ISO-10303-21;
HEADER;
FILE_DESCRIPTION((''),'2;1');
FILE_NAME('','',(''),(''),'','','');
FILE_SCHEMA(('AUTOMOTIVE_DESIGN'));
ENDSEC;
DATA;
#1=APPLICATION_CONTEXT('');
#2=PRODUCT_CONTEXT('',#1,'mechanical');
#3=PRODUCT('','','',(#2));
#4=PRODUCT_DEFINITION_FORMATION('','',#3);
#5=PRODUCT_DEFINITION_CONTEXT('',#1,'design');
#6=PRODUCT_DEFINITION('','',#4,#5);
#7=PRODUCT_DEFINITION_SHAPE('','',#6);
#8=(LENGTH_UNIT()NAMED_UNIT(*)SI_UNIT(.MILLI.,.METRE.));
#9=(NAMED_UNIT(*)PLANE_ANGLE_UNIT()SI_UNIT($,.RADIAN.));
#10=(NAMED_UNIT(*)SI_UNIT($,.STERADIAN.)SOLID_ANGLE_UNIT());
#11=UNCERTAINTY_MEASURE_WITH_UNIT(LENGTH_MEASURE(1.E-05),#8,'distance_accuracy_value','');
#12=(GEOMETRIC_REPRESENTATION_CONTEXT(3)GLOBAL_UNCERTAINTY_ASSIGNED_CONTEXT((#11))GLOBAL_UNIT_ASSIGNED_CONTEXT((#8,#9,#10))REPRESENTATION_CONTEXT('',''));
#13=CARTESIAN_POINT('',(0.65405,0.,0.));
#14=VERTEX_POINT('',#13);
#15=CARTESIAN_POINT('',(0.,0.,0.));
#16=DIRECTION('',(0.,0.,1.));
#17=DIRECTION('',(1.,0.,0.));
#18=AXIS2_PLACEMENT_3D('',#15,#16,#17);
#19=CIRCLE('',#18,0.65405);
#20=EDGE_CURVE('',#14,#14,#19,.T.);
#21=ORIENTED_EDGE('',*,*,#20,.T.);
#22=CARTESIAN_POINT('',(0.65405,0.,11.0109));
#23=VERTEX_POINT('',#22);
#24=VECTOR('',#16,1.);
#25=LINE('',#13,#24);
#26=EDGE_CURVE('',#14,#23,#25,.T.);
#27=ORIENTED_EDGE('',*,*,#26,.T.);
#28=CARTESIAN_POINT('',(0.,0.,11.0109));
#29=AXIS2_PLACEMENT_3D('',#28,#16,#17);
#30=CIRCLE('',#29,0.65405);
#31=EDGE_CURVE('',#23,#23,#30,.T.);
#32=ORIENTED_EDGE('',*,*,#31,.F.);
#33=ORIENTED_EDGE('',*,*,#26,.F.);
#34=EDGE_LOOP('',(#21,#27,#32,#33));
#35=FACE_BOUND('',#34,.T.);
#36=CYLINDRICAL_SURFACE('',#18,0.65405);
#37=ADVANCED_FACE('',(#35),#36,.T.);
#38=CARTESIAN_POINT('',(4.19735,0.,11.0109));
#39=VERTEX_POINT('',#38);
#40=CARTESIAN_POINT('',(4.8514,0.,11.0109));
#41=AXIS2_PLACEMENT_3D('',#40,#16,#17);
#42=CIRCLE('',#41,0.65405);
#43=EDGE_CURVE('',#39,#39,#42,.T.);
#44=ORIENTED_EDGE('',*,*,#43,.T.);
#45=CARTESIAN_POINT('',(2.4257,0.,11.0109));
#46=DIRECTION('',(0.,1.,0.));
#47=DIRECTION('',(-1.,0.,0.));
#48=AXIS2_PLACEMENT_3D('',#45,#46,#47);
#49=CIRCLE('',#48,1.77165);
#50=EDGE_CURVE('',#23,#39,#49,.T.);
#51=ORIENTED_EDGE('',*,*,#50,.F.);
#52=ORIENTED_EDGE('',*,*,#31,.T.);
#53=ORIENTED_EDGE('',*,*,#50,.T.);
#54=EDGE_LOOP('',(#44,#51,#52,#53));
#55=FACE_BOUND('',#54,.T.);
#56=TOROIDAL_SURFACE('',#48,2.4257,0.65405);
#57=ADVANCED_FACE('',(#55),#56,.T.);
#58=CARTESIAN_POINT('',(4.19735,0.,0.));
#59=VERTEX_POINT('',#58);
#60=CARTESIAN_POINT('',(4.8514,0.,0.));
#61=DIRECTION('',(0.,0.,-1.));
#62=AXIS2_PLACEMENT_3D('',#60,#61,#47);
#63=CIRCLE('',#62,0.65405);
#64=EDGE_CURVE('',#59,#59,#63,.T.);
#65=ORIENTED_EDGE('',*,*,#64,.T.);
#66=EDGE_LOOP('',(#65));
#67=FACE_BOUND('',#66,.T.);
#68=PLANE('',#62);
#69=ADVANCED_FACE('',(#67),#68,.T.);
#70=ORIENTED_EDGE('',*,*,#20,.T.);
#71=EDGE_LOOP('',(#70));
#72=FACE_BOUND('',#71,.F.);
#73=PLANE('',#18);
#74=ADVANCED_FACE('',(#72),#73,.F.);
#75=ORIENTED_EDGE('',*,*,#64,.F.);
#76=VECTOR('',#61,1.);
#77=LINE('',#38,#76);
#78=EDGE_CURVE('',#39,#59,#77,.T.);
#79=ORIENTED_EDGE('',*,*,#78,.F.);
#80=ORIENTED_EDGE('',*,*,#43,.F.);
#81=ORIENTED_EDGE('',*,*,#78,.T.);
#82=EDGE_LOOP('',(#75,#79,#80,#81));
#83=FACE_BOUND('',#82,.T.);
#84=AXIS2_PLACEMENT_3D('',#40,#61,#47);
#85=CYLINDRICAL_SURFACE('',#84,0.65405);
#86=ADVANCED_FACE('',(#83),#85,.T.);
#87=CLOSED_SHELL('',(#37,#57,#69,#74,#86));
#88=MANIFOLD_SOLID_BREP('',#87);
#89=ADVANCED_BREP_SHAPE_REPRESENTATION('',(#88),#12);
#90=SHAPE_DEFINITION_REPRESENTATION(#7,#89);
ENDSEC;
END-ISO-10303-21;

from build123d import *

# Parameters (mm, degrees)
F2_R = 0.65405


with BuildPart() as f3:
    # F3: sweep along a path in F0
    with BuildLine(Plane.XZ) as f3_path:
        Line((0, 0), (0, 11.0109))
        ThreePointArc((0, 11.0109), (2.4257, 13.4366), (4.8514, 11.0109))
        Line((4.8514, 11.0109), (4.8514, 0))
    # F2 (on plane+point) → F3 (sweep)
    with BuildSketch(Plane.XY):
        Circle(F2_R)
    sweep(path=f3_path.line)


solid = f3.part
